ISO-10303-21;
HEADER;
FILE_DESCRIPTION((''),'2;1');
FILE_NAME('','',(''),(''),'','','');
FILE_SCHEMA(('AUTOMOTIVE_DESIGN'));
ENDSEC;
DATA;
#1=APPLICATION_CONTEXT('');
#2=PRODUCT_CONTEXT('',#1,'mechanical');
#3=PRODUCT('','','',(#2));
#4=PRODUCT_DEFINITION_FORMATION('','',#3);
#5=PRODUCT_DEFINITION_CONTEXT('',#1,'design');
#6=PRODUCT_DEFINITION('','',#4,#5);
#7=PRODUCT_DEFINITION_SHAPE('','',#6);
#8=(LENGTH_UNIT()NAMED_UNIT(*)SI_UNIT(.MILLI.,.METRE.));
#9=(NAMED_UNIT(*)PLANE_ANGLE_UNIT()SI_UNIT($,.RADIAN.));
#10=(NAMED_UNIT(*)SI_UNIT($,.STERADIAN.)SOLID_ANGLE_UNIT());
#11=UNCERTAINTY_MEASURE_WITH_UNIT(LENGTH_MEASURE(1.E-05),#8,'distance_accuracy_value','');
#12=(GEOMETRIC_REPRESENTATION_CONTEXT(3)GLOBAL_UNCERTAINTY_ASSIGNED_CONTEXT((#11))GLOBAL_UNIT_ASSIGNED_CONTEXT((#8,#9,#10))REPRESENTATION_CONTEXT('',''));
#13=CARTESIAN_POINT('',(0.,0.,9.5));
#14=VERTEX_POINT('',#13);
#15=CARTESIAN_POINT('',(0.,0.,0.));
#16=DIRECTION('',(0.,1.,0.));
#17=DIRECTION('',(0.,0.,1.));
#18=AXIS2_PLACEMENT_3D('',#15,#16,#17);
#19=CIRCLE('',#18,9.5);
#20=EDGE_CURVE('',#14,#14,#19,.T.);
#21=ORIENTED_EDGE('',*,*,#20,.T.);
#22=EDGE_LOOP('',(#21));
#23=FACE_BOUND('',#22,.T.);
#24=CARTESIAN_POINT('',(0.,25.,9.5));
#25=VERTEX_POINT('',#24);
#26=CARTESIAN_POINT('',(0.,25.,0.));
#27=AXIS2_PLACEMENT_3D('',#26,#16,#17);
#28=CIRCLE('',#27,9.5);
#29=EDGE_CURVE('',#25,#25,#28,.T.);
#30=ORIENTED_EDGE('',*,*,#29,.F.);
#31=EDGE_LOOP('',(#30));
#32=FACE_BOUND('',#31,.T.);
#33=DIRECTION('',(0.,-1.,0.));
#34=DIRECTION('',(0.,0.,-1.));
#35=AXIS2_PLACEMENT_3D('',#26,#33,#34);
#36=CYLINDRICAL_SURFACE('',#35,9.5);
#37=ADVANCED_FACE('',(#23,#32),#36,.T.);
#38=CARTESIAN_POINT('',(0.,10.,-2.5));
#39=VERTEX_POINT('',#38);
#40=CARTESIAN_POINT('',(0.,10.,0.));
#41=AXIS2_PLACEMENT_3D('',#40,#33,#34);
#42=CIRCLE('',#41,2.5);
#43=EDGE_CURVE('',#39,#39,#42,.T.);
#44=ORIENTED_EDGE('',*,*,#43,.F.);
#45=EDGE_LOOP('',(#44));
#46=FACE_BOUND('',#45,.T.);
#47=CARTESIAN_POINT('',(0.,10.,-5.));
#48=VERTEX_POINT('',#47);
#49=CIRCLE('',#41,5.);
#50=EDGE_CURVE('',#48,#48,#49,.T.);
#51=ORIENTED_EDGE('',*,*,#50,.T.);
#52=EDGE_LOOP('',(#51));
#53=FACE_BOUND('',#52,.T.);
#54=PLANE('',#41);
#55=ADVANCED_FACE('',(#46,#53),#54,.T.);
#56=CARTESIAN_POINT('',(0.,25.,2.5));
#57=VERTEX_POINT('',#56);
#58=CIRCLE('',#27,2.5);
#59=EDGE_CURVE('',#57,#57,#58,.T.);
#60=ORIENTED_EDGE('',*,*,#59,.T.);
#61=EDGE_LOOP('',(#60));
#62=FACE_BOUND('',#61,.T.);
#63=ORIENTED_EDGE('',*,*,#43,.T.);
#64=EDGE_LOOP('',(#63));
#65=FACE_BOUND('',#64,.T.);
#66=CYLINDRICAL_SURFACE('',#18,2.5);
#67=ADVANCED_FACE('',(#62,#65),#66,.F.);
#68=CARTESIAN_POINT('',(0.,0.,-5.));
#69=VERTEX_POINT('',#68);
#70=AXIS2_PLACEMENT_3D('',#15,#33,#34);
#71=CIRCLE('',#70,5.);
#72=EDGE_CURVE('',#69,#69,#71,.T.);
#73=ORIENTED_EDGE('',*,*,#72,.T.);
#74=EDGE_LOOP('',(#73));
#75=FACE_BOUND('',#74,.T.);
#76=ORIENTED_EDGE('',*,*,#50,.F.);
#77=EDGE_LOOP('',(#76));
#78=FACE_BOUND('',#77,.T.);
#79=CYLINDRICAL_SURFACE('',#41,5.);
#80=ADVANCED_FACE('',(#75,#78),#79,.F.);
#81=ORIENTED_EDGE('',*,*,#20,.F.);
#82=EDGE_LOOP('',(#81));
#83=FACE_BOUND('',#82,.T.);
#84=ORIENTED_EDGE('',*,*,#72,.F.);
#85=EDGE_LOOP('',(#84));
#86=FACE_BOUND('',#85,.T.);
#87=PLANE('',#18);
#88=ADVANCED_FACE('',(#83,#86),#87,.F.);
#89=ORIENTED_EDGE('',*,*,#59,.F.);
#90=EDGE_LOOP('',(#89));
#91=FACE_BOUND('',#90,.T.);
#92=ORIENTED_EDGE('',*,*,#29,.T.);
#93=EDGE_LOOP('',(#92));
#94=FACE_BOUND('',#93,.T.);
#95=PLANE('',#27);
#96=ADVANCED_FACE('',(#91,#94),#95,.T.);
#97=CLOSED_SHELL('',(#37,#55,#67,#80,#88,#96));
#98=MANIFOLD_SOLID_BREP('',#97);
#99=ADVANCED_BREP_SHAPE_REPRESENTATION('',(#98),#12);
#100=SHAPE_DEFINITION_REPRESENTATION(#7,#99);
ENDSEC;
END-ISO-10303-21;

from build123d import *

# Parameters (mm, degrees)
SKETCH1_R           = 9.5
BOSS_EXTRUDE1_DEPTH = 25
SKETCH2_R           = 5
CUT_EXTRUDE1_DEPTH  = 10
SKETCH3_R           = 2.5
CUT_EXTRUDE2_DEPTH  = 26


with BuildPart() as part:
    # Sketch1 → Boss-Extrude1 (new body)
    with BuildSketch(Plane(origin=(0, 0, 0), x_dir=(1, 0, 0), z_dir=(0, 1, 0))):
        Circle(SKETCH1_R)
    extrude(amount=BOSS_EXTRUDE1_DEPTH)

    # Sketch2 → Cut-Extrude1 (cut)
    with BuildSketch(Plane.XZ):
        Circle(SKETCH2_R)
    extrude(amount=-CUT_EXTRUDE1_DEPTH, mode=Mode.SUBTRACT)

    # Sketch3 → Cut-Extrude2 (cut, through all)
    with BuildSketch(Plane(origin=(0, 25, 0), x_dir=(1, 0, 0), z_dir=(0, 1, 0))):
        Circle(SKETCH3_R)
    extrude(amount=-CUT_EXTRUDE2_DEPTH, mode=Mode.SUBTRACT)


solid = part.part
